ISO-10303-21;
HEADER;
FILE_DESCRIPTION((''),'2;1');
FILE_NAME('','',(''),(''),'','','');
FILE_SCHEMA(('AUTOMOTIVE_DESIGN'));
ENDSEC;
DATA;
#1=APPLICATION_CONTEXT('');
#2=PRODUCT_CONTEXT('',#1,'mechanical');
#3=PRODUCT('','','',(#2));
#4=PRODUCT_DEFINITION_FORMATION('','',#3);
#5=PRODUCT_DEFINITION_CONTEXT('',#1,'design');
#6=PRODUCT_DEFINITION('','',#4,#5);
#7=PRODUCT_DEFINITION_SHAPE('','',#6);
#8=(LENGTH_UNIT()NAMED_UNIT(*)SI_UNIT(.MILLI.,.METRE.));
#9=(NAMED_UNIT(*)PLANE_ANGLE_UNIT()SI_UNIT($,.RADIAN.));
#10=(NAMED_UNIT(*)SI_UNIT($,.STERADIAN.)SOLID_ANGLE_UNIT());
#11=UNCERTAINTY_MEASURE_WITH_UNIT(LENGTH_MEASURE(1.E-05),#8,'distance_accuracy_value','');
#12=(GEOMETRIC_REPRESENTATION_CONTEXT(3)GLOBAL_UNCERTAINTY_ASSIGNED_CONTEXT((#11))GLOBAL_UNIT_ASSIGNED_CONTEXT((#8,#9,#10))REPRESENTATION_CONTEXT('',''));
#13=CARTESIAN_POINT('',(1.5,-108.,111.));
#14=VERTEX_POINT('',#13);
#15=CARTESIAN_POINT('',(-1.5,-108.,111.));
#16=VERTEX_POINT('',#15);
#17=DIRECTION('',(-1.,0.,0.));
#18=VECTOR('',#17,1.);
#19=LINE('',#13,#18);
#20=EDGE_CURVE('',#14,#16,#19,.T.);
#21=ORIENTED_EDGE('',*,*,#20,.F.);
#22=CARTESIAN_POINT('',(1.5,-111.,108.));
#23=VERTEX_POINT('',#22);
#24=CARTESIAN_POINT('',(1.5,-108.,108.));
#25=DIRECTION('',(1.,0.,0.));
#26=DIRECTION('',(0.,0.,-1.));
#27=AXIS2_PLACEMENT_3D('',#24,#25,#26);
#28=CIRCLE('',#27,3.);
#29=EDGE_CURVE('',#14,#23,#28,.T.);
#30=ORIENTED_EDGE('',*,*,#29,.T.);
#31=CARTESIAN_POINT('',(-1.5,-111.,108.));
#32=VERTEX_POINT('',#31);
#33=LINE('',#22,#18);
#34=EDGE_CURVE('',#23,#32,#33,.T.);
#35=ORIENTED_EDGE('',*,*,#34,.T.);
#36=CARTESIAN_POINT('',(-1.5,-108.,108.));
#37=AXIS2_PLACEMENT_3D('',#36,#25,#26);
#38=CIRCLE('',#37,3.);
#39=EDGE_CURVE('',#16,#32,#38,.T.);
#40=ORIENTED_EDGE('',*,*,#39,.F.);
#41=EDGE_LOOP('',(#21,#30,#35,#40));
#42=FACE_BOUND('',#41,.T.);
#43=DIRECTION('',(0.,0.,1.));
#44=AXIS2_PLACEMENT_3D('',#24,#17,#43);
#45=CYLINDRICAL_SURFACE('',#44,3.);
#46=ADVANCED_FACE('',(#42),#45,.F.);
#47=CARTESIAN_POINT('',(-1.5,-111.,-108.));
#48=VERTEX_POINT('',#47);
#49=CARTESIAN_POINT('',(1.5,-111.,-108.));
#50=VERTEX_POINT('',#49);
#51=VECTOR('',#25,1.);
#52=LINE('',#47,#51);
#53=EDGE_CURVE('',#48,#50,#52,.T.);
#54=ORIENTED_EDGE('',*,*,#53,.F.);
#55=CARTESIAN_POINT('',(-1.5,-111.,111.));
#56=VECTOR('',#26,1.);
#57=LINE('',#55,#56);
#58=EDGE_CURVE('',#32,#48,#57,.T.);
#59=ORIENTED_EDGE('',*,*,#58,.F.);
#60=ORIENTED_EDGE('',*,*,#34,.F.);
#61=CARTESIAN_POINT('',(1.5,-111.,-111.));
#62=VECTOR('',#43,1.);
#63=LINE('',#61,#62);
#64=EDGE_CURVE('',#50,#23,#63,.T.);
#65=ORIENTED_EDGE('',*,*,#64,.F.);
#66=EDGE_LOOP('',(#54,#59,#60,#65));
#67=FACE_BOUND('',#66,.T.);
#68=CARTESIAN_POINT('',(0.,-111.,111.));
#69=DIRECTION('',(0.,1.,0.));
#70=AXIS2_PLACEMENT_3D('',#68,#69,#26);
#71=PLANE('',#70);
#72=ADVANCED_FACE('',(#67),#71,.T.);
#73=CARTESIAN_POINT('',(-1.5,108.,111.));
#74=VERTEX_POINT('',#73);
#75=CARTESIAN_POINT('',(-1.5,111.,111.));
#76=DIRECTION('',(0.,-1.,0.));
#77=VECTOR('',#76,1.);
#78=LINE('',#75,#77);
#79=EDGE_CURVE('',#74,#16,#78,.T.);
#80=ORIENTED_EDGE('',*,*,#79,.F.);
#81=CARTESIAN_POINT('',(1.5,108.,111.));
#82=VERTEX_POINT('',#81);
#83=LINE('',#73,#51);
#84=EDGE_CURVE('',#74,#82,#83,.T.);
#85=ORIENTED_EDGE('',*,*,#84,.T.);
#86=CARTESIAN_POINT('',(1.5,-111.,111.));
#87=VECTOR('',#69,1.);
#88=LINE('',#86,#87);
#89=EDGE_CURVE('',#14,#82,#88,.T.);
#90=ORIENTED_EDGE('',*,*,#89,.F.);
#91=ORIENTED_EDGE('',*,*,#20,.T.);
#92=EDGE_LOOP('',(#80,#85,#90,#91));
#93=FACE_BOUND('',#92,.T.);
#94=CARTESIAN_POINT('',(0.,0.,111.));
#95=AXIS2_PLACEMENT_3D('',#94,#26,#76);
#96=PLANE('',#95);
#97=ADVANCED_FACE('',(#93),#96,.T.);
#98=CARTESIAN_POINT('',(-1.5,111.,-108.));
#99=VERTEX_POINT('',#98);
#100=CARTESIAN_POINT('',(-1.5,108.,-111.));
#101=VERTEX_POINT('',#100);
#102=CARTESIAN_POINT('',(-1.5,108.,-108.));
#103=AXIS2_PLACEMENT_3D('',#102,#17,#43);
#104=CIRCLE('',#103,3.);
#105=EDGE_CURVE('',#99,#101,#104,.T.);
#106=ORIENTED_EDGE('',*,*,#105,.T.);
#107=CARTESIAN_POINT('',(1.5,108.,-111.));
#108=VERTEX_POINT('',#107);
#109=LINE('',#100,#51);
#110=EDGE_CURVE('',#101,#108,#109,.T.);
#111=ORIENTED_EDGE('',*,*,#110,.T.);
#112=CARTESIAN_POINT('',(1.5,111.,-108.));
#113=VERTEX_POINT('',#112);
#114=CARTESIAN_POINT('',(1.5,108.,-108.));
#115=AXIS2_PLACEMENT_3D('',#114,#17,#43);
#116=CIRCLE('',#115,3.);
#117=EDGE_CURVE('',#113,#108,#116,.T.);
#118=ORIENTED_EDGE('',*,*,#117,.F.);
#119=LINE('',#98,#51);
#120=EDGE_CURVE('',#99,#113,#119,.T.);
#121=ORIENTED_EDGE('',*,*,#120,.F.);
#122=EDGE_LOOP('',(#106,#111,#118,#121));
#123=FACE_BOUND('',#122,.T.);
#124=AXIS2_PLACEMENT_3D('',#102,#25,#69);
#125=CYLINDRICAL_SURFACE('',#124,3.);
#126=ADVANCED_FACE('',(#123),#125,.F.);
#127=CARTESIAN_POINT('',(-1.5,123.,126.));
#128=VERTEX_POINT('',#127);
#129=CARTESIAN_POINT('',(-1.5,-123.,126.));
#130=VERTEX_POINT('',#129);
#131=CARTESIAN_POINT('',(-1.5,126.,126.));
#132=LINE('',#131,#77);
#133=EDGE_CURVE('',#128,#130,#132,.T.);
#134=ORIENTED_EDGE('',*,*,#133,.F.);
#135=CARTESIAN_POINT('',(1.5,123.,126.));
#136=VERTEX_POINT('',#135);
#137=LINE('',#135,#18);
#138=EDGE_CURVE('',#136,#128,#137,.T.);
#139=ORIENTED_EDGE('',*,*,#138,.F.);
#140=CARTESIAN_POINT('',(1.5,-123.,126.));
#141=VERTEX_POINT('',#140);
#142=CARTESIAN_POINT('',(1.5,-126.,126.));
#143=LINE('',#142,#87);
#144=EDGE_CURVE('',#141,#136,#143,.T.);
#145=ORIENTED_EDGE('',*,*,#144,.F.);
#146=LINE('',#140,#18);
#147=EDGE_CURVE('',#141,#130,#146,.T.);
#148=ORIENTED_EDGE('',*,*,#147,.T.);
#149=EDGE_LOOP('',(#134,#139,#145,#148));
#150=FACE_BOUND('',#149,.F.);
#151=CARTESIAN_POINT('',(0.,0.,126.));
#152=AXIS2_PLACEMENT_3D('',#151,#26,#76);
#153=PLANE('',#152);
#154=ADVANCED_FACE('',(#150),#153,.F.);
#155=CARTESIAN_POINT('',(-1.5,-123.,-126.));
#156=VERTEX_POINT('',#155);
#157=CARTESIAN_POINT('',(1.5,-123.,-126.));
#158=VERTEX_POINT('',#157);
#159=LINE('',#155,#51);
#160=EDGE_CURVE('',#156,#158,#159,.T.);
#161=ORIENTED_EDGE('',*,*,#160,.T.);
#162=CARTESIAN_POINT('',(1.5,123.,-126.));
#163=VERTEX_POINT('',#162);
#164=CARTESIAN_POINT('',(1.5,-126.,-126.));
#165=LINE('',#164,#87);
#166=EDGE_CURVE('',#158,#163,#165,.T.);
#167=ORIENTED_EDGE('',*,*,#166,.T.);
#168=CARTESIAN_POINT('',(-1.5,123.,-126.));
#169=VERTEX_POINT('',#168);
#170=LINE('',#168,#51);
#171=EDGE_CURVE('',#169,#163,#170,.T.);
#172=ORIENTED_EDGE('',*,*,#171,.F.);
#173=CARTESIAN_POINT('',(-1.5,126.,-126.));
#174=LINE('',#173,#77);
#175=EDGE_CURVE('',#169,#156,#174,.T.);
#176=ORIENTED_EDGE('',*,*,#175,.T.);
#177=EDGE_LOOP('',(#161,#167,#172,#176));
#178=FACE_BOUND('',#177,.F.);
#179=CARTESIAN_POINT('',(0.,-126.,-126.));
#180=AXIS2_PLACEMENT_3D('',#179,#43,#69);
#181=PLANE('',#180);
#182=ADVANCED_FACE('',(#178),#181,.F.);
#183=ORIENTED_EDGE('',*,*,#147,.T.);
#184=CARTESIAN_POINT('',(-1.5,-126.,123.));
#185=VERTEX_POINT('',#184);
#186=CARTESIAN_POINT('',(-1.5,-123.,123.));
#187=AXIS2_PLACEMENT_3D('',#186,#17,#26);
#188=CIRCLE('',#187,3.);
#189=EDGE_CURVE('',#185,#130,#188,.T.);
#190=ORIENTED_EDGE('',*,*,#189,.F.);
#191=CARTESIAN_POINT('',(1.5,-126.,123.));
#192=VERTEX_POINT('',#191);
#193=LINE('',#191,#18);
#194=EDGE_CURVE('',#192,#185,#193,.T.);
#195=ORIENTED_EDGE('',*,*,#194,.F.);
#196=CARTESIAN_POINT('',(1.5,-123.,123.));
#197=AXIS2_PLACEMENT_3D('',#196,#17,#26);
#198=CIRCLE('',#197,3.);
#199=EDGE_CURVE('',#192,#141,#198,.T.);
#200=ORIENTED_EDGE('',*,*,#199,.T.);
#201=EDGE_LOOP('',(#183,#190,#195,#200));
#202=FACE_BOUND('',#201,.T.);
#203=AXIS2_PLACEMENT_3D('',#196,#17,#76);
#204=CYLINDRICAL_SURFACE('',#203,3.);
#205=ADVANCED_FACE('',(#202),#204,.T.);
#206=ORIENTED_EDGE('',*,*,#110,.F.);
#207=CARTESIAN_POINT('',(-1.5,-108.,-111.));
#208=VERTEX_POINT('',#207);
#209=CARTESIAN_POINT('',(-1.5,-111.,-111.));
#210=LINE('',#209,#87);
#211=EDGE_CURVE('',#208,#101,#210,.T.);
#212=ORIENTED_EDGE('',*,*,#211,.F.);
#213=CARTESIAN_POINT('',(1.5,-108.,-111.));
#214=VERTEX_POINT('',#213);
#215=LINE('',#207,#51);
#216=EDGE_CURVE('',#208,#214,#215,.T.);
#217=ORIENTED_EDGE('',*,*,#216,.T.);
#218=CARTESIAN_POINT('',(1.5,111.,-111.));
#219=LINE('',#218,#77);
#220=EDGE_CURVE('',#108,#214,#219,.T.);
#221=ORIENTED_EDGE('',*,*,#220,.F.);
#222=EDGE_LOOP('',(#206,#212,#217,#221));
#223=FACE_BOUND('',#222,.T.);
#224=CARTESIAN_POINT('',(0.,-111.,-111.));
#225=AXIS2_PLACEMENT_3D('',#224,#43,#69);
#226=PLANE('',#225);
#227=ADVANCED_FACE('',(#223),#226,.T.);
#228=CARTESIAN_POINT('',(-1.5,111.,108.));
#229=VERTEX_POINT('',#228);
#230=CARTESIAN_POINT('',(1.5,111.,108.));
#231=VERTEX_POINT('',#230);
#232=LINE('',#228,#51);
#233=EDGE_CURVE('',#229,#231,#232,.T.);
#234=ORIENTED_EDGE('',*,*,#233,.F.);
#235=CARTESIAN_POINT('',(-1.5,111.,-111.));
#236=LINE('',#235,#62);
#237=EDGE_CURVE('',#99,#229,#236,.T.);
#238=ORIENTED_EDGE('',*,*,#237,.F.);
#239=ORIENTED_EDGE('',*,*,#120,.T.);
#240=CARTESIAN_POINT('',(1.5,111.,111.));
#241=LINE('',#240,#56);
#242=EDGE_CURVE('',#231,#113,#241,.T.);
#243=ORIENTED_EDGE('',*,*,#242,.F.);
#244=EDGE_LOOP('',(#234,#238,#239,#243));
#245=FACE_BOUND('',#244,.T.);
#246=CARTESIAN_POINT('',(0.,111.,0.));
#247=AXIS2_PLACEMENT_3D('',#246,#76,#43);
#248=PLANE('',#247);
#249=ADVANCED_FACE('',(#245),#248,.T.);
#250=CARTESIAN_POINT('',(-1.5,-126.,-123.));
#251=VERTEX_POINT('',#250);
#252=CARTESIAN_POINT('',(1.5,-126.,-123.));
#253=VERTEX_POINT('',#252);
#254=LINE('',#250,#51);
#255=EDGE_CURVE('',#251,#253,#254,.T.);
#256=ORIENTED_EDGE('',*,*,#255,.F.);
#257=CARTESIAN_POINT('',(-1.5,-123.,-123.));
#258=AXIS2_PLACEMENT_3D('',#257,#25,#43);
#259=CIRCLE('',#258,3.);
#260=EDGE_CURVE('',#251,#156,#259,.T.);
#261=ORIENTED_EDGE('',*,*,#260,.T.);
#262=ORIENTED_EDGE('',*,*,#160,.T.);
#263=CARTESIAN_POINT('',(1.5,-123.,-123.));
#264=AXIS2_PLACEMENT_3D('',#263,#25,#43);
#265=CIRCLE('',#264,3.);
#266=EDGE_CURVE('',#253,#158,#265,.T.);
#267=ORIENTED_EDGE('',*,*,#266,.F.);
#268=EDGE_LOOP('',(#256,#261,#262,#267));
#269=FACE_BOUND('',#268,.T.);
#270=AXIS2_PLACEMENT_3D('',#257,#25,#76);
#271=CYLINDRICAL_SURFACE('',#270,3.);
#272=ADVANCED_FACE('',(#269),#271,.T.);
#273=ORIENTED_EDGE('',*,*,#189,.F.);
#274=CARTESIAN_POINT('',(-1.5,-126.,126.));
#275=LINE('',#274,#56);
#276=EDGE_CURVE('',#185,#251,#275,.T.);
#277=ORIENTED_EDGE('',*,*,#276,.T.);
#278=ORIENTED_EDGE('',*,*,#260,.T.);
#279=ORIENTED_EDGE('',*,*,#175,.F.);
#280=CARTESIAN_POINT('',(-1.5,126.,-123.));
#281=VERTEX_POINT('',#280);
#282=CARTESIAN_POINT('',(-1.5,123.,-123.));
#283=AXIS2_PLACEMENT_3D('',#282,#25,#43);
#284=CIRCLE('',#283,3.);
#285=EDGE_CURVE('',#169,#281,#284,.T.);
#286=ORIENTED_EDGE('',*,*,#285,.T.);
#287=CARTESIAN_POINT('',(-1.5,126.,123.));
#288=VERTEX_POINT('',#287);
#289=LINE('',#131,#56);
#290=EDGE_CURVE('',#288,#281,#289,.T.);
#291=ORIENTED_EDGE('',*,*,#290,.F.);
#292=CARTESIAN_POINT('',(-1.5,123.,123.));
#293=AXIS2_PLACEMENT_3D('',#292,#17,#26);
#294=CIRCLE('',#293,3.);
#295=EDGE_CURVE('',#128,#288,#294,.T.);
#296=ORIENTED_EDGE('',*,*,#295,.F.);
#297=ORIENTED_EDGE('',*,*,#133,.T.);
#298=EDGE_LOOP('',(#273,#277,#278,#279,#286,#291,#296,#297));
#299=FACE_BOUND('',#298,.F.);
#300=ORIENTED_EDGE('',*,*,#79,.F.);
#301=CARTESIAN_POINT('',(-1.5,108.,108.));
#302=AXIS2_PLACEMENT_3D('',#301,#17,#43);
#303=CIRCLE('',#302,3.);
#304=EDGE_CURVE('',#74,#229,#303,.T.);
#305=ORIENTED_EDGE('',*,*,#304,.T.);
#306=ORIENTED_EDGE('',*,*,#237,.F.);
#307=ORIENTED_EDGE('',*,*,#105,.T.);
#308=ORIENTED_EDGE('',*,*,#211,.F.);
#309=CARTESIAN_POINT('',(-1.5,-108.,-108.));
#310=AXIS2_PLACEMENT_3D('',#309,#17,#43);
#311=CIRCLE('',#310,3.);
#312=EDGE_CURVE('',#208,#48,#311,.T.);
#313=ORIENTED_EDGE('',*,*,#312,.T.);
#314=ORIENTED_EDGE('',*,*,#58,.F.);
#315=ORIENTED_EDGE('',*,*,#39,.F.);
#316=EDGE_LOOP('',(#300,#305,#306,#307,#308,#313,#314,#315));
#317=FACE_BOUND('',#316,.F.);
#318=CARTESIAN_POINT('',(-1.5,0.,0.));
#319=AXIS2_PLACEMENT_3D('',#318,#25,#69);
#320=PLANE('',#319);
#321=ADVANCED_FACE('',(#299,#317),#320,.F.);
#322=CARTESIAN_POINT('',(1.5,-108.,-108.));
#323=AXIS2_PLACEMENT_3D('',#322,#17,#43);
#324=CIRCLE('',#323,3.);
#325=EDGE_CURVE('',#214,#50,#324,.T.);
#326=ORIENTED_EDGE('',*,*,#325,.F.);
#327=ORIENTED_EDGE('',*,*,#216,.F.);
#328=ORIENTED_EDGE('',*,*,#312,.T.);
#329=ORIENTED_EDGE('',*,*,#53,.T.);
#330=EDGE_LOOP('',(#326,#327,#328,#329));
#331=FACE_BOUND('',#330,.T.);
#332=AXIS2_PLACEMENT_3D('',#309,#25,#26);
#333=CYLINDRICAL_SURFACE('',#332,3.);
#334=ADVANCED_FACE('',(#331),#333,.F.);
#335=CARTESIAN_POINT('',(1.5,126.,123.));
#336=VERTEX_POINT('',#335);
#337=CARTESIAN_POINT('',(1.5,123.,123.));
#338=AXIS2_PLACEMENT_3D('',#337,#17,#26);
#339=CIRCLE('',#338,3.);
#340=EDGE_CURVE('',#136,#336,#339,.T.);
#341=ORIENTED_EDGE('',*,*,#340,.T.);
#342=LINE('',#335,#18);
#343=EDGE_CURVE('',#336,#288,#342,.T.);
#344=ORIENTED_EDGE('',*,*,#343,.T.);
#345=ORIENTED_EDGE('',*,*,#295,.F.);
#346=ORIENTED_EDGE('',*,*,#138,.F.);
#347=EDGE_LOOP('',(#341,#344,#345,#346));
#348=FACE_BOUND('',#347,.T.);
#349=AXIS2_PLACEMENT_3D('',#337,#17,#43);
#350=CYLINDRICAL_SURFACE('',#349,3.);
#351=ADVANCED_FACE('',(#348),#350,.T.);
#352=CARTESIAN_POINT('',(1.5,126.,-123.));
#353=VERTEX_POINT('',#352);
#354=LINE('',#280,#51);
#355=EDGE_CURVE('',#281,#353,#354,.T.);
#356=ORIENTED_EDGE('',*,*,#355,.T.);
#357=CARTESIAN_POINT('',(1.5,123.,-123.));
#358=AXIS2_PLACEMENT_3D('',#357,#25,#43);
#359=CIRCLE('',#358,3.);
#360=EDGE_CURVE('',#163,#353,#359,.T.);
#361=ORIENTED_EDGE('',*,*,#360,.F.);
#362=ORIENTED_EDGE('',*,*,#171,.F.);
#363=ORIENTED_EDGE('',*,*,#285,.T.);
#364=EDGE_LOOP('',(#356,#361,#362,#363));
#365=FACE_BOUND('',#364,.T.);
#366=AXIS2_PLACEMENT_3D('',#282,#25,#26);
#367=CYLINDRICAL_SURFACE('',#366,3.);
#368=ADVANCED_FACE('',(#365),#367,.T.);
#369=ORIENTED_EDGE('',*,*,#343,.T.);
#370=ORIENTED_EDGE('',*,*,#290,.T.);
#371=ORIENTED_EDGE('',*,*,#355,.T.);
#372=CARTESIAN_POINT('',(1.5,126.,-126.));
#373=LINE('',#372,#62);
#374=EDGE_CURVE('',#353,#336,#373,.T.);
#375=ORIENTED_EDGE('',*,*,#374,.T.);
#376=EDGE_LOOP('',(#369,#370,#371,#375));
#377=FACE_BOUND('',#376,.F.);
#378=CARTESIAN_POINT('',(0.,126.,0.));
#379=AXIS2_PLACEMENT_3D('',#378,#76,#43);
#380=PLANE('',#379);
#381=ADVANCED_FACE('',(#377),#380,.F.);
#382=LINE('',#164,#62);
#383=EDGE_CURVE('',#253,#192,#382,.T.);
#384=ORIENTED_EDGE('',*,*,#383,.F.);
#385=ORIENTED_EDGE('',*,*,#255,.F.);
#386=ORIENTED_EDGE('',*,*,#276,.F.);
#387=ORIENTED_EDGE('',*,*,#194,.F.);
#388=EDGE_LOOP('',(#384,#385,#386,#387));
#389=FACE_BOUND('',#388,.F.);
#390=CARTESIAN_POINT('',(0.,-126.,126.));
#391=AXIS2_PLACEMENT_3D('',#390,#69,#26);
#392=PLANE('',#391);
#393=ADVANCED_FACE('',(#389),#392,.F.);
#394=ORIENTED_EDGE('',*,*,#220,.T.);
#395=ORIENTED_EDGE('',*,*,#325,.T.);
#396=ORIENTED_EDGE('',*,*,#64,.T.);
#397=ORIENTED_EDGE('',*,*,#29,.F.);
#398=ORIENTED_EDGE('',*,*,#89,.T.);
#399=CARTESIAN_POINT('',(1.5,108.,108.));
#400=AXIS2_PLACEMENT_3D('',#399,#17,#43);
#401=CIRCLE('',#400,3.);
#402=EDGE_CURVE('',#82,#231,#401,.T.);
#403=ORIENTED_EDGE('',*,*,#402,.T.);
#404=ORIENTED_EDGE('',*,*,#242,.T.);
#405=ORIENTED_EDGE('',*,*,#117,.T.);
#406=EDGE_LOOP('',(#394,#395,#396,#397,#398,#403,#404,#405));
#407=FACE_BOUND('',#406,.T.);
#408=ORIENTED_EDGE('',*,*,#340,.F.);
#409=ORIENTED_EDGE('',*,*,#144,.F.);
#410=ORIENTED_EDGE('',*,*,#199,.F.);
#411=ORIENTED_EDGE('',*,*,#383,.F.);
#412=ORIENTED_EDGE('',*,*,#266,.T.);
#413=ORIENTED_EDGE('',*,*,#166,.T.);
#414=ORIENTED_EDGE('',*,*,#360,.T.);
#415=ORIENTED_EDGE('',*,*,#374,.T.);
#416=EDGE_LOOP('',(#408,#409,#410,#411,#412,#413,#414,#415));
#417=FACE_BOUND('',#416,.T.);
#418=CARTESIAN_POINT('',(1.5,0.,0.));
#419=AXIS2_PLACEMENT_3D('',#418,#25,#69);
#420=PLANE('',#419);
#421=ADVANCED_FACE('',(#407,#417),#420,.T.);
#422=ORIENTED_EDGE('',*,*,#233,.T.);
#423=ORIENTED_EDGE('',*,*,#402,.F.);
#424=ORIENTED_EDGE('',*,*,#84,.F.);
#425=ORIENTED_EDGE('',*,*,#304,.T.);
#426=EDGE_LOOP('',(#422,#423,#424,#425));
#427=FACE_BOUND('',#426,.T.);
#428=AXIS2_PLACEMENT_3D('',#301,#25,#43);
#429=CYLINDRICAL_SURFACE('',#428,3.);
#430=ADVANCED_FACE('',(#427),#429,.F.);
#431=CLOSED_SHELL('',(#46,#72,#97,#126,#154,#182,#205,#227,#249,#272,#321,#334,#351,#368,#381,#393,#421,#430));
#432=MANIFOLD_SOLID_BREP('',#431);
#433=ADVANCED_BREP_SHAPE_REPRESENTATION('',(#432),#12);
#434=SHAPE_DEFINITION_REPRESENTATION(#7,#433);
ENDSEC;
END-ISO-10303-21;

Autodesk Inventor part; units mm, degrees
ref_plane "YZ Plane" through (0, 0, 0) normal (1, 0, 0) x (0, 1, 0)
ref_plane "XZ Plane" through (0, 0, 0) normal (0, 1, 0) x (-1, 0, 0)
ref_plane "XY Plane" through (0, 0, 0) normal (0, 0, 1) x (1, 0, 0)
sketch "Skizze1" plane through (0, 0, 0) normal (1, 0, 0) x (0, 1, 0)
  line L0 (-176.4, 0) -> (176.4, 0) projected
  line L1 (0, -176.4) -> (0, 176.4) projected
  line L2 (126, 126) -> (-126, 126)
  line L3 (-126, 126) -> (-126, -126)
  line L4 (-126, -126) -> (126, -126)
  line L5 (126, -126) -> (126, 126)
  line L6 (111, 111) -> (-111, 111)
  line L7 (-111, 111) -> (-111, -111)
  line L8 (-111, -111) -> (111, -111)
  line L9 (111, -111) -> (111, 111)
  point P0 (0, 0)
  dimension "d0" = 252
  dimension "d1" = 252
  dimension "d2" = 222
  dimension "d3" = 222
extrude "Extrusion1" add sketch "Skizze1" along normal mid plane 3 contours L3 L2 L1 L6 L7 L0 | L0 L7 L8 L1 L4 L3 | L2 L5 L0 L9 L6 L1 | L1 L8 L9 L0 L5 L4
fillet "Rundung1" radius 3 4 edges at (0, 126, 126) (0, 126, -126) (0, -126, -126) (0, -126, 126)
fillet "Rundung2" radius 3 4 edges at (0, -111, -111) (0, 111, -111) (0, 111, 111) (0, -111, 111)
properties part number "Frontplatte" material "Stahl"
